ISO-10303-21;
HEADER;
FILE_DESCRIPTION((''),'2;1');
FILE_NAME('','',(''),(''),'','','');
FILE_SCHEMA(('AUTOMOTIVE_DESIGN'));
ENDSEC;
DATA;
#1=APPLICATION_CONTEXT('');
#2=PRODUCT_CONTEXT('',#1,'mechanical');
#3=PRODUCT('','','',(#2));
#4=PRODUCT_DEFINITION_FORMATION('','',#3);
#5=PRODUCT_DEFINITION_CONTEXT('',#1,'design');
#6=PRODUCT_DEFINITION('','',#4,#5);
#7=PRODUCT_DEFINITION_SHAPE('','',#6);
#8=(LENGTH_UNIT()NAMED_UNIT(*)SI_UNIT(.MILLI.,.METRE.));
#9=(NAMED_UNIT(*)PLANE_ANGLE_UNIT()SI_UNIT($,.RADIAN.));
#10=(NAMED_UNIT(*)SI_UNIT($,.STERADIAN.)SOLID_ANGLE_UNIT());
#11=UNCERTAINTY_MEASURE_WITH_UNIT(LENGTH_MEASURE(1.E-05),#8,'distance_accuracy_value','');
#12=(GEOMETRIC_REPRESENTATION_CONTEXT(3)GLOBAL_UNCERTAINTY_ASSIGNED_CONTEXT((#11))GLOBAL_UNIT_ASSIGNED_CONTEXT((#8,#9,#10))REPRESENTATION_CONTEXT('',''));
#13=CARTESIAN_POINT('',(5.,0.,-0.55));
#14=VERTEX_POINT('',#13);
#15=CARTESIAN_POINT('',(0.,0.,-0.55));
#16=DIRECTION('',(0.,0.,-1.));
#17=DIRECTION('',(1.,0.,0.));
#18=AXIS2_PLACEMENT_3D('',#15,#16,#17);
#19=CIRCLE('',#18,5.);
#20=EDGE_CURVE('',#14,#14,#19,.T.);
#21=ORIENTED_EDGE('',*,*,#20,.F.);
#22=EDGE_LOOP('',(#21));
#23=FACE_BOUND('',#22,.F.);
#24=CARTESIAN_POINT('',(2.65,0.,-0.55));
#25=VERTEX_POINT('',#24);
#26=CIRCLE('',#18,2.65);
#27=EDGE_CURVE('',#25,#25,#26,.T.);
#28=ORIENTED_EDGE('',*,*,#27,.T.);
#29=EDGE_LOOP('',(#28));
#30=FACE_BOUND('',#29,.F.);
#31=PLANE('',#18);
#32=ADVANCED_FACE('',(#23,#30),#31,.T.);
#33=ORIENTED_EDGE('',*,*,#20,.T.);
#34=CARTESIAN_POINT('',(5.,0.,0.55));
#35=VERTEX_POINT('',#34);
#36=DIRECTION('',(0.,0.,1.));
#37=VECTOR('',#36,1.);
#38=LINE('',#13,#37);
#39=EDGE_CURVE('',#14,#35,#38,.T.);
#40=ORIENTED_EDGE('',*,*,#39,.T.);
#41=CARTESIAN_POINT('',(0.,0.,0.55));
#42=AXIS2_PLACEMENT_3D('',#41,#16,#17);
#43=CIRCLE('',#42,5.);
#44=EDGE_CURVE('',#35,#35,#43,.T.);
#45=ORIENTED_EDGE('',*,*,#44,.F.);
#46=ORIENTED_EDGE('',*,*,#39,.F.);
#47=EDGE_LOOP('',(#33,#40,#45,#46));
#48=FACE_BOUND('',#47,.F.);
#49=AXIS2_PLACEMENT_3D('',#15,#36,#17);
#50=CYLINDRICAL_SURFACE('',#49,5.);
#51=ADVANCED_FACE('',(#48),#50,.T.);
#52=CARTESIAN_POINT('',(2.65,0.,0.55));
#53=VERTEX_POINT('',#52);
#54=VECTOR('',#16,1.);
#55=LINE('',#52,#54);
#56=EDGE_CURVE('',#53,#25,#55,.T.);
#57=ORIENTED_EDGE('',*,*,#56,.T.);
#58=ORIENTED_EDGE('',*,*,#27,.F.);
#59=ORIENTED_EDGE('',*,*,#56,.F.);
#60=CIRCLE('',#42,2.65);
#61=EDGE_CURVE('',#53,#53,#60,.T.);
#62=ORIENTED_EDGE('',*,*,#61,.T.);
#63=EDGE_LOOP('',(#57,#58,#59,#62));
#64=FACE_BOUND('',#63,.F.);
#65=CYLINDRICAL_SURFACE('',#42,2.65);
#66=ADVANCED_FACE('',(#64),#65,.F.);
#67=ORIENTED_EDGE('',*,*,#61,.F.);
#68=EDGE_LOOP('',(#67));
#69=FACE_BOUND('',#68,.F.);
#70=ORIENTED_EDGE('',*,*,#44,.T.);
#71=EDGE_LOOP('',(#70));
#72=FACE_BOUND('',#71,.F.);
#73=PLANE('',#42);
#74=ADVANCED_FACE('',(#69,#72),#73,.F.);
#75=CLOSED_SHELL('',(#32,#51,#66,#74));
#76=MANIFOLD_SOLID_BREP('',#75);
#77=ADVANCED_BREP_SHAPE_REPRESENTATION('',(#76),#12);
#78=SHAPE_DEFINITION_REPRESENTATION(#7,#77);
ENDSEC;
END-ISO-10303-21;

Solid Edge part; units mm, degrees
sketch "Sketch1" plane through (0, 0, 0) normal (0, -1, 0) x (1, 0, 0)
  line L0 (2.65, -0.55) -> (5, -0.55)
  line L1 (5, -0.55) -> (5, 0.55)
  line L2 (5, 0.55) -> (2.65, 0.55)
  line L3 (2.65, 0.55) -> (2.65, -0.55)
  dimension "D1" = 1.1
revolve "RevolvedProtrusion1" add sketch "Sketch1" angle 360 about axis through (0, 0, 54) along (0, 0, -1)
properties part number "STD-DIN125A-M5" material "Galvanized steel"
